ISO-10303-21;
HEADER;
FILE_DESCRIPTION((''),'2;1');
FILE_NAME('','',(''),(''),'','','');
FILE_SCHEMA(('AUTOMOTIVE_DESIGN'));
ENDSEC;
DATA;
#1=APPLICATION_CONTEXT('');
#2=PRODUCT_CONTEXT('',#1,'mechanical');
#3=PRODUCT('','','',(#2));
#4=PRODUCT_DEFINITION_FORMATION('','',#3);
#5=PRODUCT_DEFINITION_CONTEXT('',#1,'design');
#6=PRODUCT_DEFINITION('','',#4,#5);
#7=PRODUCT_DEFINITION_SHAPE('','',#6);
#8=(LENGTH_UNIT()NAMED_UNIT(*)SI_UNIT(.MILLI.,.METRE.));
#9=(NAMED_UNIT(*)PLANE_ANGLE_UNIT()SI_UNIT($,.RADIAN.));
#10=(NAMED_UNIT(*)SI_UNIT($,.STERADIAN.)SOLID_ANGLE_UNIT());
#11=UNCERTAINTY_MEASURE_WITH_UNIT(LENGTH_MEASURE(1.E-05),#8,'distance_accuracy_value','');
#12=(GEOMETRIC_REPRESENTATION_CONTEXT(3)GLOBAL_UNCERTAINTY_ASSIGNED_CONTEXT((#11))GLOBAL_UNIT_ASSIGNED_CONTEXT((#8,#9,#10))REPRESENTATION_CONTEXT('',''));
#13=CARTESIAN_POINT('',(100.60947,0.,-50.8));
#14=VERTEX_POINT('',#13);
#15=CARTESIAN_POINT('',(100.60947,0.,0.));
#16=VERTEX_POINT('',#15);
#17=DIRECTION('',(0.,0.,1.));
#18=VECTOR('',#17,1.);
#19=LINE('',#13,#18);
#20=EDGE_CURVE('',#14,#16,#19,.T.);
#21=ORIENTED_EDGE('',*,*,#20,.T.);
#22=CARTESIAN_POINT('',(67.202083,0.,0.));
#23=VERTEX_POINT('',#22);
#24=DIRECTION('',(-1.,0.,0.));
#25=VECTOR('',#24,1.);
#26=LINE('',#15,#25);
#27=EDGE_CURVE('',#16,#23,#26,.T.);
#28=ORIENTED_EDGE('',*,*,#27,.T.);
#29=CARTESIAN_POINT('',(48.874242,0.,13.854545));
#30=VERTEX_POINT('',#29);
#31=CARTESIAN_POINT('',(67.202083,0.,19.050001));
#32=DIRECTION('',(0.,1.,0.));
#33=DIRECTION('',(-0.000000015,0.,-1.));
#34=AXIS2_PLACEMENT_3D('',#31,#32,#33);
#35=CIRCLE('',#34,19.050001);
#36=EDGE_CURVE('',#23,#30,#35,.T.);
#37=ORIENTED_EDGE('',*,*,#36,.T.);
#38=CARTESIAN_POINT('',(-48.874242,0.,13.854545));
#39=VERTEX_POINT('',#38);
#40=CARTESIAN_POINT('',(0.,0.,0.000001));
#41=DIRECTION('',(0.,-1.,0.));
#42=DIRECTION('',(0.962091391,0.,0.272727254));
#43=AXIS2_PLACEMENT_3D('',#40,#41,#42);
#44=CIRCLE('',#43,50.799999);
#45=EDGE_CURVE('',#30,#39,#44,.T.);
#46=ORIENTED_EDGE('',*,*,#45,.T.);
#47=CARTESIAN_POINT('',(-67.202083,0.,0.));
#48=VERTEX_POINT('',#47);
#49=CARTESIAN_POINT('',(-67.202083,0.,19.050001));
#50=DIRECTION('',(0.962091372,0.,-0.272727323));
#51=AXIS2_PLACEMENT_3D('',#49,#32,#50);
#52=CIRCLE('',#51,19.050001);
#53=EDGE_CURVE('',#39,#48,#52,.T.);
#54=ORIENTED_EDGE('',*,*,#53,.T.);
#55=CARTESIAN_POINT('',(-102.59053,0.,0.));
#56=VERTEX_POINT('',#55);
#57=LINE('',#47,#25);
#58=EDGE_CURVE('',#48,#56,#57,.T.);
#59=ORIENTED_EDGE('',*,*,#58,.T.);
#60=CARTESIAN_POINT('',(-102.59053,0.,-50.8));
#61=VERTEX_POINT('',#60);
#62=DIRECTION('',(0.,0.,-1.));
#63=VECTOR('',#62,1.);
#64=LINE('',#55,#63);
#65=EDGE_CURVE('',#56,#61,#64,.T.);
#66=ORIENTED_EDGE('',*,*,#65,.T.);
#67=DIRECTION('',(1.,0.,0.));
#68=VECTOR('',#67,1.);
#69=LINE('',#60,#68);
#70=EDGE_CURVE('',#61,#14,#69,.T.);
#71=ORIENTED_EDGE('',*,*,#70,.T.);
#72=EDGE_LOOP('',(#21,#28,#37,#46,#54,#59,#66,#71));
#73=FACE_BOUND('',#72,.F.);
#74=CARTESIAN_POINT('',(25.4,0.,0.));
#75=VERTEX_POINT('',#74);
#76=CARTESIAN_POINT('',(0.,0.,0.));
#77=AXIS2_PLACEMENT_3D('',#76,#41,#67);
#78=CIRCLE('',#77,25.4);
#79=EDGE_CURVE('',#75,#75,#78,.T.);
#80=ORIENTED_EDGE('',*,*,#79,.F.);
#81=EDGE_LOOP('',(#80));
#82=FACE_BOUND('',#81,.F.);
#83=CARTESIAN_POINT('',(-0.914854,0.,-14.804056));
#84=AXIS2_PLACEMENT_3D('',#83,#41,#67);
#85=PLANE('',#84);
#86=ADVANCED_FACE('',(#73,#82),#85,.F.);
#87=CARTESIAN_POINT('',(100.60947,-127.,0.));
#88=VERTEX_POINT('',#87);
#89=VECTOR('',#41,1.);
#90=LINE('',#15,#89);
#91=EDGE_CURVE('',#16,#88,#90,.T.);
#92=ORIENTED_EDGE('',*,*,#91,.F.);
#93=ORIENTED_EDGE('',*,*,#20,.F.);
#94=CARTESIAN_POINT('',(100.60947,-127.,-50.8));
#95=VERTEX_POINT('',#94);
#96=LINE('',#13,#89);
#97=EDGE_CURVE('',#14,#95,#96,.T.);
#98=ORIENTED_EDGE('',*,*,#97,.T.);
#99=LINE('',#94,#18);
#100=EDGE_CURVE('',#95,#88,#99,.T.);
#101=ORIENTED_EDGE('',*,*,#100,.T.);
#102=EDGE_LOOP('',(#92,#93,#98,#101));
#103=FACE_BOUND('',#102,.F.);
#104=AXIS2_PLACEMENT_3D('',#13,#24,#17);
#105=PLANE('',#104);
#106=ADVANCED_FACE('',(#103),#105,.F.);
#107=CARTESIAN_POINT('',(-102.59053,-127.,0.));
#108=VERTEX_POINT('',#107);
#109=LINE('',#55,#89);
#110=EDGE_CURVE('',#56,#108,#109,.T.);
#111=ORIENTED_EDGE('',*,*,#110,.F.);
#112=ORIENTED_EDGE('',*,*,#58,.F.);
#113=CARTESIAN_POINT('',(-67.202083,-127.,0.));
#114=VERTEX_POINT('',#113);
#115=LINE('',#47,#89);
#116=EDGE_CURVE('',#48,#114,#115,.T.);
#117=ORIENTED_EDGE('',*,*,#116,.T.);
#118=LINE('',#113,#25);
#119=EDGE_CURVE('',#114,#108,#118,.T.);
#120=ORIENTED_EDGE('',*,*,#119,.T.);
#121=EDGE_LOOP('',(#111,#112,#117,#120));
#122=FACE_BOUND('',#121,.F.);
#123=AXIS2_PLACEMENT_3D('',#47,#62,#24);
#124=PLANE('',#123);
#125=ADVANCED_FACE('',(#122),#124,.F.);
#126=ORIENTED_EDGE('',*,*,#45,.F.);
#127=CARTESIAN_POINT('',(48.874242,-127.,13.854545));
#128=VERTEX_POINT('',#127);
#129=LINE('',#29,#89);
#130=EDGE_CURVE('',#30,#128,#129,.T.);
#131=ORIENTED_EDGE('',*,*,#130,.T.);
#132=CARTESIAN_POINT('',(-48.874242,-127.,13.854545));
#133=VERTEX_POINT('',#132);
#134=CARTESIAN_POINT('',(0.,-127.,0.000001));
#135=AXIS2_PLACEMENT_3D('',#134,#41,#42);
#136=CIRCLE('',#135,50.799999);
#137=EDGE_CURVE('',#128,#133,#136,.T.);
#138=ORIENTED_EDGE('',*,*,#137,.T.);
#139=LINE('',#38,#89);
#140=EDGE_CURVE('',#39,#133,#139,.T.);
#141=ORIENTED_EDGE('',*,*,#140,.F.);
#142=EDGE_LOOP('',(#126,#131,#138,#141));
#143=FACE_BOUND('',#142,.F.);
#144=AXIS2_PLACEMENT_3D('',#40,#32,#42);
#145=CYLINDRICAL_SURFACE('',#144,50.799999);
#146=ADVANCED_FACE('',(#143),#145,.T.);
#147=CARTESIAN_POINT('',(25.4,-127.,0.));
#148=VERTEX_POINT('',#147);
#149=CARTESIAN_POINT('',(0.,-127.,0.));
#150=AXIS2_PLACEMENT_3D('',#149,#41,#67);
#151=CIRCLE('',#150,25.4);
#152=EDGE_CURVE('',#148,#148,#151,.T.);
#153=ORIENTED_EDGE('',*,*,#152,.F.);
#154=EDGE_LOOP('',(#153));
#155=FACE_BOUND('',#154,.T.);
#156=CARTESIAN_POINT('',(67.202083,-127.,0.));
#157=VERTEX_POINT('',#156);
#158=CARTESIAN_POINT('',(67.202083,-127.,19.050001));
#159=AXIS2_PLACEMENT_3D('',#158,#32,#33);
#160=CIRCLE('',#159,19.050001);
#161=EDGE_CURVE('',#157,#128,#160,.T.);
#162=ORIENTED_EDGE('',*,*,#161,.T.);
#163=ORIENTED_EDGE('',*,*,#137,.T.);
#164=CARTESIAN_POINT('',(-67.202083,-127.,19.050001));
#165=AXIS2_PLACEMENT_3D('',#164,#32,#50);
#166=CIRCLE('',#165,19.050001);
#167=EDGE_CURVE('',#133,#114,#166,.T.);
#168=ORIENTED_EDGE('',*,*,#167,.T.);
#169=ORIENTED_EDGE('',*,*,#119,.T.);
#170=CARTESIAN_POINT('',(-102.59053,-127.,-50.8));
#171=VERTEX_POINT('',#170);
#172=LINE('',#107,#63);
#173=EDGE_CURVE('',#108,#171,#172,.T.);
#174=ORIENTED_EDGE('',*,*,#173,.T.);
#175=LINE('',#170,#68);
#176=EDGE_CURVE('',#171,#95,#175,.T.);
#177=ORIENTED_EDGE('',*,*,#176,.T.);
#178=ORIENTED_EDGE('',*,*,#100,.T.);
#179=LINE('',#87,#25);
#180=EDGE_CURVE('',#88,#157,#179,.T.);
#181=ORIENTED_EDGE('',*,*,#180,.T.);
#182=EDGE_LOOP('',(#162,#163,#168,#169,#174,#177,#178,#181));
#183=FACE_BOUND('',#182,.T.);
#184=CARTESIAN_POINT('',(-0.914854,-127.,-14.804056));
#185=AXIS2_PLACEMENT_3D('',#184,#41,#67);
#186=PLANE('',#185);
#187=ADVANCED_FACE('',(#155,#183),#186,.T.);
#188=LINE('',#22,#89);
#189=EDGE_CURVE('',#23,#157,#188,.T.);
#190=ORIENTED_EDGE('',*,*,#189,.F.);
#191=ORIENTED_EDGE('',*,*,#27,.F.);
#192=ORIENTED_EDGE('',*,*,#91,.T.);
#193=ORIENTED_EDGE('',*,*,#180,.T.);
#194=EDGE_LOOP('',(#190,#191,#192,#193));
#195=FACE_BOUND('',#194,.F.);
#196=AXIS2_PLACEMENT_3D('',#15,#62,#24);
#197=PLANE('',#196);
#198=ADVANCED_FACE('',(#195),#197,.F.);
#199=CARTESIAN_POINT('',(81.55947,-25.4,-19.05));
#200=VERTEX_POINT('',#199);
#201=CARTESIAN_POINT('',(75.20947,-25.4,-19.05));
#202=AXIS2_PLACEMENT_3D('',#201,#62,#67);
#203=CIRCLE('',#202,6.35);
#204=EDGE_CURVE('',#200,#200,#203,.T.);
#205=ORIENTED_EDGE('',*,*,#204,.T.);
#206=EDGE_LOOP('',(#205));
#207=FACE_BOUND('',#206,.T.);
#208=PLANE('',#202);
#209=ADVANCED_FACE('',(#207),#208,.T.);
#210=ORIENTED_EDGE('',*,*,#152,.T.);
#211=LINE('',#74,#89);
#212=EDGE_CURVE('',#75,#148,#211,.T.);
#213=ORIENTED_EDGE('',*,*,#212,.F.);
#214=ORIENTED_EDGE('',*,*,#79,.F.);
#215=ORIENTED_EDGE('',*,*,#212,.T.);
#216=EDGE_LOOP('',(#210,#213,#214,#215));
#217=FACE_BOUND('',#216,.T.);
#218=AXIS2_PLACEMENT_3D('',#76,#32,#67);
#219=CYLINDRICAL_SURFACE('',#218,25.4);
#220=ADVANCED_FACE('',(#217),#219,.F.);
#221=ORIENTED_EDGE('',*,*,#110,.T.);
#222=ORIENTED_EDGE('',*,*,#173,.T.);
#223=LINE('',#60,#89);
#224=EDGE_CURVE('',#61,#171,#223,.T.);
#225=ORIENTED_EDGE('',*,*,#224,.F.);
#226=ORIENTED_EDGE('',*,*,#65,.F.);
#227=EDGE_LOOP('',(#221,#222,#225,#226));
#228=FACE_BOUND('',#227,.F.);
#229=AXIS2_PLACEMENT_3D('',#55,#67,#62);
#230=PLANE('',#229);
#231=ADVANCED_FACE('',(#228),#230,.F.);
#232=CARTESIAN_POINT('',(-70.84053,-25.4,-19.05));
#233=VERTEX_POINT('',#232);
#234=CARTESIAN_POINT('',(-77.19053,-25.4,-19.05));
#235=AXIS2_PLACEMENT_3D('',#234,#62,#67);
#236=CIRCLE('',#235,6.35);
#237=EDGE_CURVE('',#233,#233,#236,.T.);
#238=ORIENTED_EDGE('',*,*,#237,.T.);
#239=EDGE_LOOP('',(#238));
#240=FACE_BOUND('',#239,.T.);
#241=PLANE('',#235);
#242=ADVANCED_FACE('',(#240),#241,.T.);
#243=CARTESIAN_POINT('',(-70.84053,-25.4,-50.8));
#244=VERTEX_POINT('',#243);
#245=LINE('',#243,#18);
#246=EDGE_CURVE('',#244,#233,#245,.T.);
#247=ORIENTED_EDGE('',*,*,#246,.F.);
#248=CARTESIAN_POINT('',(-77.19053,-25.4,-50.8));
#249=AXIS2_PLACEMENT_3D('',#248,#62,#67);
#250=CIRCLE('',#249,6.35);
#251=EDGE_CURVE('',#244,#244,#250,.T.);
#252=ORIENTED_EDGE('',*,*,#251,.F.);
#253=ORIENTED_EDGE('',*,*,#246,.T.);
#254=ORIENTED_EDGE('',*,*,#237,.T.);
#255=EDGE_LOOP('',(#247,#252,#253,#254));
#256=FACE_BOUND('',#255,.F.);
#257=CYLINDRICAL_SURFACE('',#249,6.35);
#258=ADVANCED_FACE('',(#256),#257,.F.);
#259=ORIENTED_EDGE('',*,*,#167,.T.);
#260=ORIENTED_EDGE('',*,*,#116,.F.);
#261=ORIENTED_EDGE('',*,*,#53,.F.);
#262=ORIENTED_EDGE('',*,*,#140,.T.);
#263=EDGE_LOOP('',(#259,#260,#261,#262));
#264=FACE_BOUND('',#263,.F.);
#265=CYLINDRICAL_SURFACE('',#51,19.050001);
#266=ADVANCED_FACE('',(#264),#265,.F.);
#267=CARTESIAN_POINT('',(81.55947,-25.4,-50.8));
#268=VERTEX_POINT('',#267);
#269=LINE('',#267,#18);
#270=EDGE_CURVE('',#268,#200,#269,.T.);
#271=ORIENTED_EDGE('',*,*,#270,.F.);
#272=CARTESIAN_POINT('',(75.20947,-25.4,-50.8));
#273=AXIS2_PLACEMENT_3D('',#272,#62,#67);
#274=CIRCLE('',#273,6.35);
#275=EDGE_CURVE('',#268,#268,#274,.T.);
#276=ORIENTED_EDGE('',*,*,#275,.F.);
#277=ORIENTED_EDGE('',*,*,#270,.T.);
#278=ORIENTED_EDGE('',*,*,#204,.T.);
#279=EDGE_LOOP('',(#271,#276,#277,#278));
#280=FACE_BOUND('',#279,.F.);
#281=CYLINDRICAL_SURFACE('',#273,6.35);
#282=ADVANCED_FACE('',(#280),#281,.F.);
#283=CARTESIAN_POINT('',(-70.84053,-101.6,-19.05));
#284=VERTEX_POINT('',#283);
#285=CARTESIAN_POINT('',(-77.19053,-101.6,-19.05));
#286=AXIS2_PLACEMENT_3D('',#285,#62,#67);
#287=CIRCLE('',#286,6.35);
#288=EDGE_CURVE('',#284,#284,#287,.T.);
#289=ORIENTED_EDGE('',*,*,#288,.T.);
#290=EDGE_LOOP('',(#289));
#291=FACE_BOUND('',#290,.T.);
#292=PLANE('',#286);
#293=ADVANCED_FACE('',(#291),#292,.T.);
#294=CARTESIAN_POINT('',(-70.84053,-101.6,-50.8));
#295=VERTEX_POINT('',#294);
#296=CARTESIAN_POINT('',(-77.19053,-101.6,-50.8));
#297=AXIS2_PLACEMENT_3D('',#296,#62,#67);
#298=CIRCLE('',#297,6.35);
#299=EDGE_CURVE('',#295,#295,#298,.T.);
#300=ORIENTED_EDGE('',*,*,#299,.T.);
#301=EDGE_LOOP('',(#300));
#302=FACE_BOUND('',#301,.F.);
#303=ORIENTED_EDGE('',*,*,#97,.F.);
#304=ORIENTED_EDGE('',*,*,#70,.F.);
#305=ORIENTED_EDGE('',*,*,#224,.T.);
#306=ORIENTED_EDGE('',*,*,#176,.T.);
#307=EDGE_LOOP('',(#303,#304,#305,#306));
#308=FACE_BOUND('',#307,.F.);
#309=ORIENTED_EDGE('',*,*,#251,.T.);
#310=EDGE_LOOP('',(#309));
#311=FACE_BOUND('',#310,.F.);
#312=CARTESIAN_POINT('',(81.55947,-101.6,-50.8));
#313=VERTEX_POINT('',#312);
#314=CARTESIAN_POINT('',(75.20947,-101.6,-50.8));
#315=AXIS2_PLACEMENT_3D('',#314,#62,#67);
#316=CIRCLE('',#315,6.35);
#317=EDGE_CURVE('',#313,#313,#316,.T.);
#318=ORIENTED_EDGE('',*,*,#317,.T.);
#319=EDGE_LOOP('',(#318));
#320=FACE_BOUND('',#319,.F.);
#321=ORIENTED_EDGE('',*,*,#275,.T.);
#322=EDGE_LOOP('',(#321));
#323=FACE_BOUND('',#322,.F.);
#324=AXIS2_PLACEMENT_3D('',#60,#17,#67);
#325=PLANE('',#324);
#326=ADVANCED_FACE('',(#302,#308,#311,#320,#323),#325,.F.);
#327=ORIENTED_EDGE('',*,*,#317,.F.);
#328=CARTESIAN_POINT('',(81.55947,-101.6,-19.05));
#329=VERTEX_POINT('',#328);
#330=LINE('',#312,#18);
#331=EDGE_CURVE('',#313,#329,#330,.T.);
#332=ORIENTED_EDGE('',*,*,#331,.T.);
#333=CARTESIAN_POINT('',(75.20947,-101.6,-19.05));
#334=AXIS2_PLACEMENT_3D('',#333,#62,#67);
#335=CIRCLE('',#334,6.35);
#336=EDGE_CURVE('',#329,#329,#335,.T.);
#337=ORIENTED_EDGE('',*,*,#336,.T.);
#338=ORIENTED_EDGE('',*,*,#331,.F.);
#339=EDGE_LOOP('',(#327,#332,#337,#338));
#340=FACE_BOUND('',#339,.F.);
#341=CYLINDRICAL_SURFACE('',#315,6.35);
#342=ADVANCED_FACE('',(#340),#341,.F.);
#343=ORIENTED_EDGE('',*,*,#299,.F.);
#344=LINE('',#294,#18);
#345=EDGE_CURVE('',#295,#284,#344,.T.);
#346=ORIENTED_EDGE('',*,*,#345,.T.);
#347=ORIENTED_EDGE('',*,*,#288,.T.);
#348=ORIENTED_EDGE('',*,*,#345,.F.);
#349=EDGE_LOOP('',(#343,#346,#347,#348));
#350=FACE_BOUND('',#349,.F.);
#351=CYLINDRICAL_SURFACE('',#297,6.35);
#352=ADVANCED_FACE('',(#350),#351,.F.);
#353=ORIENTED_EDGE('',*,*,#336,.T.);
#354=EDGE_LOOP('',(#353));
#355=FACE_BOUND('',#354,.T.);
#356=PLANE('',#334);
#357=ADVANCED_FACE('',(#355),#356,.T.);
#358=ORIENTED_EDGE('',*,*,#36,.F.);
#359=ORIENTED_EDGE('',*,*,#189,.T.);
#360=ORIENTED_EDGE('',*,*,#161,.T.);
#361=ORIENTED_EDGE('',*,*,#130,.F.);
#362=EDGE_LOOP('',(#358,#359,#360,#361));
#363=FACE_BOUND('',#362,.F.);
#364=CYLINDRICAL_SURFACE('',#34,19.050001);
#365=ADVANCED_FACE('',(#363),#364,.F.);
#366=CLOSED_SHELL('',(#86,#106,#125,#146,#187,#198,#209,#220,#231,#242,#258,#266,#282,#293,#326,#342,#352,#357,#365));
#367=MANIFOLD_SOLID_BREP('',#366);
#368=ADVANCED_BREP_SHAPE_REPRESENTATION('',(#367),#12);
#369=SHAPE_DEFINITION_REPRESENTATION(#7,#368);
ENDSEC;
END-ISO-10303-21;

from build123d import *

# Parameters (mm, degrees)
F0_R     = 25.4
F1_DEPTH = 127
F2_R     = 6.35
F3_DEPTH = 31.75


with BuildPart() as f1:
    # F0 (on Front) → F1 (new body)
    with BuildSketch(Plane.XZ):
        with BuildLine():
            Line((100.60947, -50.8), (100.60947, 0))
            Line((100.60947, 0), (67.202083, 0))
            ThreePointArc((67.202083, 0), (55.714501, 3.853357), (48.874242, 13.854545))
            ThreePointArc((48.874242, 13.854545), (0, 50.8), (-48.874242, 13.854545))
            ThreePointArc((-48.874242, 13.854545), (-55.714501, 3.853357), (-67.202083, 0))
            Line((-67.202083, 0), (-102.59053, 0))
            Line((-102.59053, 0), (-102.59053, -50.8))
            Line((-102.59053, -50.8), (100.60947, -50.8))
        make_face()
        Circle(F0_R, mode=Mode.SUBTRACT)
    extrude(amount=F1_DEPTH)

    # F2 (on face) → F3 (cut)
    with BuildSketch(Plane(origin=(0, 0, -50.8), x_dir=(1, 0, 0), z_dir=(0, 0, -1))):
        with Locations((-77.19053, 101.6)):
            Circle(F2_R)
        with Locations((75.20947, 101.6)):
            Circle(F2_R)
        with Locations((75.20947, 25.4)):
            Circle(F2_R)
        with Locations((-77.19053, 25.4)):
            Circle(F2_R)
    extrude(amount=-F3_DEPTH, mode=Mode.SUBTRACT)


solid = f1.part
